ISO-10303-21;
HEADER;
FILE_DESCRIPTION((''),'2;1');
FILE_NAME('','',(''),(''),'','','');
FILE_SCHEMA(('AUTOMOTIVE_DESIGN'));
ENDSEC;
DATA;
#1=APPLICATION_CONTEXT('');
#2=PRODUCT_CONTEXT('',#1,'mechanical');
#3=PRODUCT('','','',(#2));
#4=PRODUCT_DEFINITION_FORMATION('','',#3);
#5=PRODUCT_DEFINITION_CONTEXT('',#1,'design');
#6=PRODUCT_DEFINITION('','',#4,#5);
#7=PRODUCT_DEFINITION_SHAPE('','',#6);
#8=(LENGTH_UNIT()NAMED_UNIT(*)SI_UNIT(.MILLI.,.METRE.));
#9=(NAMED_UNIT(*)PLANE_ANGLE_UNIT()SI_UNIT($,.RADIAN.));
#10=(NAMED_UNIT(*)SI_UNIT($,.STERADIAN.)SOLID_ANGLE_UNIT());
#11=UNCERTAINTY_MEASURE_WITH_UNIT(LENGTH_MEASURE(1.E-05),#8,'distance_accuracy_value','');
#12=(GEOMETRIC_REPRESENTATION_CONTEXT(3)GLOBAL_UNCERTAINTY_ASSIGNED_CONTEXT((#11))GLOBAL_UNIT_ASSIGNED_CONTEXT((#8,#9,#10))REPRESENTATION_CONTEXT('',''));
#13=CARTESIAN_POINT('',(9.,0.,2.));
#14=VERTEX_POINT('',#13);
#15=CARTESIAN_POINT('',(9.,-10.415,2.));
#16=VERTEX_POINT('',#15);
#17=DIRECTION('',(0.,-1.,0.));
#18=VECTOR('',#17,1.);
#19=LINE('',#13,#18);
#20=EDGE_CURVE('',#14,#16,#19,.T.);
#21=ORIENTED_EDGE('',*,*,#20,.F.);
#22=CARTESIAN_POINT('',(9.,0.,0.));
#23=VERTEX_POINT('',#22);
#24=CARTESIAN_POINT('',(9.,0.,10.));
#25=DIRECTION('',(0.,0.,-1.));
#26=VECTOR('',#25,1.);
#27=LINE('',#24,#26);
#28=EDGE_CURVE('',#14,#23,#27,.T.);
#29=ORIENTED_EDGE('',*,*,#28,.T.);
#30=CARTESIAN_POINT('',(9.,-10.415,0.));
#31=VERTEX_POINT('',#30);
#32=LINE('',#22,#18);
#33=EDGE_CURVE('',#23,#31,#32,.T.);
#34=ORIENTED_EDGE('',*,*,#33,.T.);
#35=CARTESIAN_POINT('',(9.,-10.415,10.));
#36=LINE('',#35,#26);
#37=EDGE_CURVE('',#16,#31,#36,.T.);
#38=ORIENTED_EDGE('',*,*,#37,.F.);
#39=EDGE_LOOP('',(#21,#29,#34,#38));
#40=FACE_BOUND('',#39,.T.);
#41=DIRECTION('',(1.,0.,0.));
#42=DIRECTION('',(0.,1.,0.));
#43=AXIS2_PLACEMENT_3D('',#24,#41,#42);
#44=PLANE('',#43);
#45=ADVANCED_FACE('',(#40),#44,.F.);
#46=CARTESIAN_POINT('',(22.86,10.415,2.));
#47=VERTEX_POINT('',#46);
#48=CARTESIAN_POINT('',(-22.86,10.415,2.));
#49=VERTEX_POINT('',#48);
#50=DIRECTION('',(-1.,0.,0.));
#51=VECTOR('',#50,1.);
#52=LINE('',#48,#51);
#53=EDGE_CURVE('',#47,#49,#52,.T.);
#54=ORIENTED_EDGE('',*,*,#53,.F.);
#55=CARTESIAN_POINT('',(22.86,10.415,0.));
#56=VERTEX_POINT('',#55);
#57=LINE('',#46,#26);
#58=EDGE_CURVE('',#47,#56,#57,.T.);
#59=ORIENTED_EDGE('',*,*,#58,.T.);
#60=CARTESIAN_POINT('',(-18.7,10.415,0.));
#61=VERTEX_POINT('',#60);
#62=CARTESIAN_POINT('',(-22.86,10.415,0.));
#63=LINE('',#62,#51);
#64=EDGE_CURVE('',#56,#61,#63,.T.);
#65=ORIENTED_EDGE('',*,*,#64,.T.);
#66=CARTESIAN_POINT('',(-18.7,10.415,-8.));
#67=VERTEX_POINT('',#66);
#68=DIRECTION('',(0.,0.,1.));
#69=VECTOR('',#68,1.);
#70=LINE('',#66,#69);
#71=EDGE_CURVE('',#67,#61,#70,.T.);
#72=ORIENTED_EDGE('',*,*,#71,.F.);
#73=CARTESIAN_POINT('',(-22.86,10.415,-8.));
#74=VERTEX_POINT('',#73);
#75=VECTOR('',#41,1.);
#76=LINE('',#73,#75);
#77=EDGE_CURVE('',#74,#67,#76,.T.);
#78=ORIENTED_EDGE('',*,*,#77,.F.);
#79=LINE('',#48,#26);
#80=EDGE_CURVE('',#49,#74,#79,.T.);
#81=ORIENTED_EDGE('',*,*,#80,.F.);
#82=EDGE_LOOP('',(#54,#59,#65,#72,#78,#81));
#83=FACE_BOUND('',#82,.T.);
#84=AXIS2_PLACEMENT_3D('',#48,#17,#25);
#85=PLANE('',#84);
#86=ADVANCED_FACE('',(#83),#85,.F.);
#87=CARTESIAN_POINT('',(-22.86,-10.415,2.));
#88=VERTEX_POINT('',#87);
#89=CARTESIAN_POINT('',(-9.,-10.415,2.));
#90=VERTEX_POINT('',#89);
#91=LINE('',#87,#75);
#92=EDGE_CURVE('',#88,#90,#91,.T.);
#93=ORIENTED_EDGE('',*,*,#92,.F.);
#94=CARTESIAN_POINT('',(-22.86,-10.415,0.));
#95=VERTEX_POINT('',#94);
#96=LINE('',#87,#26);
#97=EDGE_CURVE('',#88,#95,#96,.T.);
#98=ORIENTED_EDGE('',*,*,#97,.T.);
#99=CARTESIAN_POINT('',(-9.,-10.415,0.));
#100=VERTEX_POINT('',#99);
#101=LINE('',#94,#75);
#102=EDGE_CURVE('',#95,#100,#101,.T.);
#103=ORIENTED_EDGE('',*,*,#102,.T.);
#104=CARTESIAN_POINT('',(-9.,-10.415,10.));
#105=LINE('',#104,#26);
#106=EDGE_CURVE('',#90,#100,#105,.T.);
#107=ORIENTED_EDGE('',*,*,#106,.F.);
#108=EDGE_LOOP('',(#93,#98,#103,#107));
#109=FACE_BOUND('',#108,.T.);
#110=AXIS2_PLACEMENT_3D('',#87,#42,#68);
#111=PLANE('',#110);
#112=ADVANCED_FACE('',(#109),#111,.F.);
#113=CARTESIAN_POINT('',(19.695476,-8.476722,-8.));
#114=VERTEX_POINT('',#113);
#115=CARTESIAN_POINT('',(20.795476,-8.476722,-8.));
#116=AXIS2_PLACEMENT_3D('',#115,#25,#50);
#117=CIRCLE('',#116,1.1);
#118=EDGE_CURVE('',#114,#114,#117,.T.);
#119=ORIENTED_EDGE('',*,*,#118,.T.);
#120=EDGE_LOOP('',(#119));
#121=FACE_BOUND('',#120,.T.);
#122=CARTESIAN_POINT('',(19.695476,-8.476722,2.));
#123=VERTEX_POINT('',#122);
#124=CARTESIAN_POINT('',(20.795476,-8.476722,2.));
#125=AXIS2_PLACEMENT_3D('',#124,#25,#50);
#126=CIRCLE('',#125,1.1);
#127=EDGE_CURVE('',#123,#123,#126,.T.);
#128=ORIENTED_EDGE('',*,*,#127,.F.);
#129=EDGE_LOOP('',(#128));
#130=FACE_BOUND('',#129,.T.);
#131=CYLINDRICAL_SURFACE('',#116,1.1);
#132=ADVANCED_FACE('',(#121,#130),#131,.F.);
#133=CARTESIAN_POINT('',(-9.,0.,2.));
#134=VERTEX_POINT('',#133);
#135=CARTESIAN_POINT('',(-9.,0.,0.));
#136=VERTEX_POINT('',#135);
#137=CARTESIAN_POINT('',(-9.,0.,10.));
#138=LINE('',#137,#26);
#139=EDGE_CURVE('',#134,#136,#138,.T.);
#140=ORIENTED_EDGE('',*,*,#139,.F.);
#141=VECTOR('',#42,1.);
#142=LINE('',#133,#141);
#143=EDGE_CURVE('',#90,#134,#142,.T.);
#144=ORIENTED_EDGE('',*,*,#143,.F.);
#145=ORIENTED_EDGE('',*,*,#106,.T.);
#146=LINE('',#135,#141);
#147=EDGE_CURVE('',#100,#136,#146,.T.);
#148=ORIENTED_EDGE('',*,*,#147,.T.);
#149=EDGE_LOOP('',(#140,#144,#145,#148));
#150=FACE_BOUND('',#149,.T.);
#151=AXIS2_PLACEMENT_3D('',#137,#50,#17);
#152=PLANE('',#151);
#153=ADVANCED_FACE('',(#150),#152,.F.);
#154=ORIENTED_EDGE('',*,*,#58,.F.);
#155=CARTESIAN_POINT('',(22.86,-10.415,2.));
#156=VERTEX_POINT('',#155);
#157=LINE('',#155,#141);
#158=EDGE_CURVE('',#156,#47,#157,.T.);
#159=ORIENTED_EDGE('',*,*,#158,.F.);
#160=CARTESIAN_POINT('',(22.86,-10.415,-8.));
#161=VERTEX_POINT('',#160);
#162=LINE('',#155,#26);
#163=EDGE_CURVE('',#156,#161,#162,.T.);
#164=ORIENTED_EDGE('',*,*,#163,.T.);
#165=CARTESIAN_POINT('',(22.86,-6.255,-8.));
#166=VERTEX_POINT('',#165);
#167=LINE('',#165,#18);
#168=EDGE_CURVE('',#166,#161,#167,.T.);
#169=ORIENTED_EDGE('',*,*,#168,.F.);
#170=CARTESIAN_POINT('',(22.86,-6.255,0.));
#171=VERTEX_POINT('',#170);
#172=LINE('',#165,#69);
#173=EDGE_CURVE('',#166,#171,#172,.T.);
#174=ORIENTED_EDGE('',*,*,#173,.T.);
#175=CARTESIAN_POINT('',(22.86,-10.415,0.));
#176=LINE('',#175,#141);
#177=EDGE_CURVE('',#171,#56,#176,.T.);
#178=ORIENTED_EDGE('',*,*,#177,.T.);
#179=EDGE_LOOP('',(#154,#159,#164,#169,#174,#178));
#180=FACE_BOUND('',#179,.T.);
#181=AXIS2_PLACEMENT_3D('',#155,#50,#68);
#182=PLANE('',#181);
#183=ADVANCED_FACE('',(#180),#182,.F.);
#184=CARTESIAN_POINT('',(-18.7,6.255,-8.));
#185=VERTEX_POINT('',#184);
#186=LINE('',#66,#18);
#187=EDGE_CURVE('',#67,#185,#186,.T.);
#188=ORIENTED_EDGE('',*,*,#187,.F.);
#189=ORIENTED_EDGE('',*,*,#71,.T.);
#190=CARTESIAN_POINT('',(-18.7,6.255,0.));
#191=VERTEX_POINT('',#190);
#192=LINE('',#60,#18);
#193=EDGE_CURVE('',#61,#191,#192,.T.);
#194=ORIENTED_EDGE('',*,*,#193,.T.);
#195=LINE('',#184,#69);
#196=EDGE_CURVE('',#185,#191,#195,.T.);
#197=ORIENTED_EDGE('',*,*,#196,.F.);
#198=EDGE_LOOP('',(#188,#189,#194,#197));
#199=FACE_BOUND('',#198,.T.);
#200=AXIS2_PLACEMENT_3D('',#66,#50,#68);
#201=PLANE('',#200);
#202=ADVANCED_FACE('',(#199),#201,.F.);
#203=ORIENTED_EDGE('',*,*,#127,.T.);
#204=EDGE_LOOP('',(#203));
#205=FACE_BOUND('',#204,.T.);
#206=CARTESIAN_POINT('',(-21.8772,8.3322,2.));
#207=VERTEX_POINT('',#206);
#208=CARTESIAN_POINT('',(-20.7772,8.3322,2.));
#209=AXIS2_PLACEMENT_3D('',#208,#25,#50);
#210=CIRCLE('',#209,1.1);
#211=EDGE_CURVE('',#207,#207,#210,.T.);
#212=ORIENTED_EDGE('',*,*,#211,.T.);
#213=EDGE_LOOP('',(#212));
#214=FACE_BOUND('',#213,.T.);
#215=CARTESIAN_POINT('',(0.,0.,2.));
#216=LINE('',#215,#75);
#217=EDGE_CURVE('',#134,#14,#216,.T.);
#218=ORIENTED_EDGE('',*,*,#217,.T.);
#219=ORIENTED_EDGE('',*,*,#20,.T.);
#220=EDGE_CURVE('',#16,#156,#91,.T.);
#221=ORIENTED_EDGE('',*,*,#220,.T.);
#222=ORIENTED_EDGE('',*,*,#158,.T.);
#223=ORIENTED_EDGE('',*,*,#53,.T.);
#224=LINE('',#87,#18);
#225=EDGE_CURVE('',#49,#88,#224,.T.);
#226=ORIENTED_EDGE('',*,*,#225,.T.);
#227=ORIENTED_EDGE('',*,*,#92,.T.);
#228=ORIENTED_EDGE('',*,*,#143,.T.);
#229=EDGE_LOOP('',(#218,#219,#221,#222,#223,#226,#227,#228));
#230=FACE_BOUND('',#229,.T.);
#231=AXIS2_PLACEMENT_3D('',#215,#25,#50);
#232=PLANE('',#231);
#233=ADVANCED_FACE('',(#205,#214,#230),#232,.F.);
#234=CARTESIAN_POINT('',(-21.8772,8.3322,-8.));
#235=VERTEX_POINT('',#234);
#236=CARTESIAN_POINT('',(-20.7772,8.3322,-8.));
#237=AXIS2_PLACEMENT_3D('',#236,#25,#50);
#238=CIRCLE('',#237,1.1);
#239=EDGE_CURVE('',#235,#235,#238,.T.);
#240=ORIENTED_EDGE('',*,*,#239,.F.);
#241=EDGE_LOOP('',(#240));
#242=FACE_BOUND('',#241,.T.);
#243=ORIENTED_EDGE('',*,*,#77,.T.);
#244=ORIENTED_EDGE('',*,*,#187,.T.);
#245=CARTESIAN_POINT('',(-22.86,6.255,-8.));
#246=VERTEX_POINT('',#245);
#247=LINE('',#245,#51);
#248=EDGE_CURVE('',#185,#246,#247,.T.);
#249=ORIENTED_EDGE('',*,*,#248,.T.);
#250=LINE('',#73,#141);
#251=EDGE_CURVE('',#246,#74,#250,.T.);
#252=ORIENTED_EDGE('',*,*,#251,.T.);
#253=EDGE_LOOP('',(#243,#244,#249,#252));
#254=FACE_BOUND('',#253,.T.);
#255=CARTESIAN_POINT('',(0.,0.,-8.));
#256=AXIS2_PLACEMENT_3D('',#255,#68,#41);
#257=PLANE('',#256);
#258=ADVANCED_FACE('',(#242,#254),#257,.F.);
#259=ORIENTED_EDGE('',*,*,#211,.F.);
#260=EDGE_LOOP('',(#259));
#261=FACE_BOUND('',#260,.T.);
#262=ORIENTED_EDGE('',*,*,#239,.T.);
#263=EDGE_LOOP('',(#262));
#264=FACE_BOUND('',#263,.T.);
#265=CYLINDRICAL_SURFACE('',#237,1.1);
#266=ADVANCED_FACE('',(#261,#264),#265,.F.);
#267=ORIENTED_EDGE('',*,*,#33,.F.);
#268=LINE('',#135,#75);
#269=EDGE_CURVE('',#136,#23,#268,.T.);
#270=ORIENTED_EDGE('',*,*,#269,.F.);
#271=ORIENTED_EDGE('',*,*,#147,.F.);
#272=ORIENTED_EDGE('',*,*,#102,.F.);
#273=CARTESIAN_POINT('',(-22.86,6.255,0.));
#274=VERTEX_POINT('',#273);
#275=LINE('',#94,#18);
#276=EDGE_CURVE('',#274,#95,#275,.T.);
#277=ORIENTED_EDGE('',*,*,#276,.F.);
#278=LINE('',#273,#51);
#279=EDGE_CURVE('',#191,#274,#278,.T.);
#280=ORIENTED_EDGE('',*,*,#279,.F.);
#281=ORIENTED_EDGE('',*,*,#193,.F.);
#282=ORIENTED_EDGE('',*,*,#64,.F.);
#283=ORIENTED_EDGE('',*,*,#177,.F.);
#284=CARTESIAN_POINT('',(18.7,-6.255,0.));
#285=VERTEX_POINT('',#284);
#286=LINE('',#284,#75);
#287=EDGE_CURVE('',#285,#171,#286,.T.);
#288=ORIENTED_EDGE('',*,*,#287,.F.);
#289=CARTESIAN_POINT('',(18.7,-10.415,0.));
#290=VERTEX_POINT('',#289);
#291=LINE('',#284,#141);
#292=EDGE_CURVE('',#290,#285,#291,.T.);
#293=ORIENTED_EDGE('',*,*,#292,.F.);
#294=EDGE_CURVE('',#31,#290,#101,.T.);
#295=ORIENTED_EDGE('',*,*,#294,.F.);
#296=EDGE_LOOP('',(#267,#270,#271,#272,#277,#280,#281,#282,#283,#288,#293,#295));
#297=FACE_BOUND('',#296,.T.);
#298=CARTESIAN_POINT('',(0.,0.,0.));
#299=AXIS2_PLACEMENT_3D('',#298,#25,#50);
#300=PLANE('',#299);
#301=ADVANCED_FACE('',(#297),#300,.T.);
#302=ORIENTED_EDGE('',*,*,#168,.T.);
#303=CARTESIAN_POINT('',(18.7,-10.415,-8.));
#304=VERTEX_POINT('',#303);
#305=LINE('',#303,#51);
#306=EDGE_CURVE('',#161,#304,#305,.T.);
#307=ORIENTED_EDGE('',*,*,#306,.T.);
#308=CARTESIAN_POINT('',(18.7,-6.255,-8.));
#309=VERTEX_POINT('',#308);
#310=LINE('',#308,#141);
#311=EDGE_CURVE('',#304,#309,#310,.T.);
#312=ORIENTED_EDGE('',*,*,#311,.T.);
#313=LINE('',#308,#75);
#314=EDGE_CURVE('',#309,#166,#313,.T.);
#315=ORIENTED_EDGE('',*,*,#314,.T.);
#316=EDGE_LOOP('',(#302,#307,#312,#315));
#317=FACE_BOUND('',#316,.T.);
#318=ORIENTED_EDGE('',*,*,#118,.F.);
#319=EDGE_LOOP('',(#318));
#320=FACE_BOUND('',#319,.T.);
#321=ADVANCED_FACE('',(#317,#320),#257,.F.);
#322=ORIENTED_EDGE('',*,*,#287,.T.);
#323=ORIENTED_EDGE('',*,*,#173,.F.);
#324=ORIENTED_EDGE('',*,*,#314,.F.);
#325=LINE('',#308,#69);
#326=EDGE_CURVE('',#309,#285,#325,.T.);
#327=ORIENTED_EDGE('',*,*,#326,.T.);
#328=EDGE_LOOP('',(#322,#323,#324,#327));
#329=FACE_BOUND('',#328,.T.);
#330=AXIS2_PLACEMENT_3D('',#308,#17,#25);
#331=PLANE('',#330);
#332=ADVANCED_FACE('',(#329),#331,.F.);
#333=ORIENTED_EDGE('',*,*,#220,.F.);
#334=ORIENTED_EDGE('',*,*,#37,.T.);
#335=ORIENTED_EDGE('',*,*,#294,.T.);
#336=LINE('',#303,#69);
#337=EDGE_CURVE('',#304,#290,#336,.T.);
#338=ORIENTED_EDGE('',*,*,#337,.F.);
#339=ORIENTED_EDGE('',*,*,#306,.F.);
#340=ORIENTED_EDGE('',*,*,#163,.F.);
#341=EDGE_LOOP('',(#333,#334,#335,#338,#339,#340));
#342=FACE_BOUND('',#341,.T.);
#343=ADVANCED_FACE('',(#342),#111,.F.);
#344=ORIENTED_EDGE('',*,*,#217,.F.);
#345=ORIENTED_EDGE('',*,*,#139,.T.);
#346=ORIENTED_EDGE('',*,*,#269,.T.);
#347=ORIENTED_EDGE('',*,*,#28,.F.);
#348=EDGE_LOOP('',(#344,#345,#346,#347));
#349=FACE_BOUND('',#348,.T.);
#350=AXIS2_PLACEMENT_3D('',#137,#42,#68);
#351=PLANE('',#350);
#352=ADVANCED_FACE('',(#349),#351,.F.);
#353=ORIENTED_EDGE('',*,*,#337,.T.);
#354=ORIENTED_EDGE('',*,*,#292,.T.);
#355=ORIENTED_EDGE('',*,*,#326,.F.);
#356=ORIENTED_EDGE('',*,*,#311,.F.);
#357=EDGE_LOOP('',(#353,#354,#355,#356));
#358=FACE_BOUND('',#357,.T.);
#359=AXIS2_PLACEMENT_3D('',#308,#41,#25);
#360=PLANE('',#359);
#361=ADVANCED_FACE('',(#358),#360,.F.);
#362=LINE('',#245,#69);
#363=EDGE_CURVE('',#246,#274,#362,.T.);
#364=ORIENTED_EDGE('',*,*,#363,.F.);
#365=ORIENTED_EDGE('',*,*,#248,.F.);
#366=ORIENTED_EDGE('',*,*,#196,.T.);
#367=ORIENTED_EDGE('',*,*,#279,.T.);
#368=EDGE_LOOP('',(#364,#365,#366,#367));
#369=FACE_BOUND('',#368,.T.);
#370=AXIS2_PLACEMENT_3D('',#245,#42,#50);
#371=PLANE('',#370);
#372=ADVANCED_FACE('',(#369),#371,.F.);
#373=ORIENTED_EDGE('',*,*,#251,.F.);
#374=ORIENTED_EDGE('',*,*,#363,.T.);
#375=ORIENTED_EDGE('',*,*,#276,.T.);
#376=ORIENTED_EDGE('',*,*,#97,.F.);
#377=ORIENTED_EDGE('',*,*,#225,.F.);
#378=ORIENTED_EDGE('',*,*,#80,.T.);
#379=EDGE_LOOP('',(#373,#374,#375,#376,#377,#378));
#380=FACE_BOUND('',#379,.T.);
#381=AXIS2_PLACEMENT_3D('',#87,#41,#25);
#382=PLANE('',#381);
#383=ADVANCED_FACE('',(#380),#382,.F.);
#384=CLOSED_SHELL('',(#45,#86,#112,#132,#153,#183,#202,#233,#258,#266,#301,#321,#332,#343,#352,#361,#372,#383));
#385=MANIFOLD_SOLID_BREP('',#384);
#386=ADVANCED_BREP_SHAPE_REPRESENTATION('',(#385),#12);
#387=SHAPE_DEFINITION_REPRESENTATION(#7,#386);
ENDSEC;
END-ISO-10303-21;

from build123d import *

# Parameters (mm, degrees)
SKIZZE1_W                       = 45.72
SKIZZE1_H                       = 20.83
AUFSATZ_LINEAR_AUSTRAGEN1_DEPTH = 2
SKIZZE3_W                       = 18
SKIZZE3_H                       = 10.415
SCHNITT_LINEAR_AUSTRAGEN1_DEPTH = 10
SKIZZE7_W                       = 4.16
SKIZZE7_H                       = 4.16
AUFSATZ_LINEAR_AUSTRAGEN2_DEPTH = 8
DURCHGANGSLOCH_F_R_M21_D        = 2.2


with BuildPart() as part:
    # Skizze1 → Aufsatz-Linear austragen1 (new body)
    with BuildSketch(Plane.XY):
        Rectangle(SKIZZE1_W, SKIZZE1_H)
    extrude(amount=AUFSATZ_LINEAR_AUSTRAGEN1_DEPTH)

    # Skizze3 → Schnitt-Linear austragen1 (cut)
    with BuildSketch(Plane(origin=(0, 0, 0), x_dir=(-1, 0, 0), z_dir=(0, 0, -1))):
        with Locations((0, -5.2075)):
            Rectangle(SKIZZE3_W, SKIZZE3_H)
    extrude(amount=-SCHNITT_LINEAR_AUSTRAGEN1_DEPTH, mode=Mode.SUBTRACT)

    # Skizze7 → Aufsatz-Linear austragen2 (add)
    with BuildSketch(Plane(origin=(0, 0, 0), x_dir=(-1, 0, 0), z_dir=(0, 0, -1))):
        with Locations((20.78, 8.335)):
            Rectangle(SKIZZE7_W, SKIZZE7_H)
        with Locations((-20.78, -8.335)):
            Rectangle(SKIZZE7_W, SKIZZE7_H)
    extrude(amount=AUFSATZ_LINEAR_AUSTRAGEN2_DEPTH)

    # Durchgangsloch für M21 (through all)
    with Locations(Plane(origin=(0, 0, -8), x_dir=(-1, 0, 0), z_dir=(0, 0, -1))):
        with Locations((-20.795475973, -8.476722081), (20.7772, 8.3322)):
            Hole(DURCHGANGSLOCH_F_R_M21_D / 2)


solid = part.part
